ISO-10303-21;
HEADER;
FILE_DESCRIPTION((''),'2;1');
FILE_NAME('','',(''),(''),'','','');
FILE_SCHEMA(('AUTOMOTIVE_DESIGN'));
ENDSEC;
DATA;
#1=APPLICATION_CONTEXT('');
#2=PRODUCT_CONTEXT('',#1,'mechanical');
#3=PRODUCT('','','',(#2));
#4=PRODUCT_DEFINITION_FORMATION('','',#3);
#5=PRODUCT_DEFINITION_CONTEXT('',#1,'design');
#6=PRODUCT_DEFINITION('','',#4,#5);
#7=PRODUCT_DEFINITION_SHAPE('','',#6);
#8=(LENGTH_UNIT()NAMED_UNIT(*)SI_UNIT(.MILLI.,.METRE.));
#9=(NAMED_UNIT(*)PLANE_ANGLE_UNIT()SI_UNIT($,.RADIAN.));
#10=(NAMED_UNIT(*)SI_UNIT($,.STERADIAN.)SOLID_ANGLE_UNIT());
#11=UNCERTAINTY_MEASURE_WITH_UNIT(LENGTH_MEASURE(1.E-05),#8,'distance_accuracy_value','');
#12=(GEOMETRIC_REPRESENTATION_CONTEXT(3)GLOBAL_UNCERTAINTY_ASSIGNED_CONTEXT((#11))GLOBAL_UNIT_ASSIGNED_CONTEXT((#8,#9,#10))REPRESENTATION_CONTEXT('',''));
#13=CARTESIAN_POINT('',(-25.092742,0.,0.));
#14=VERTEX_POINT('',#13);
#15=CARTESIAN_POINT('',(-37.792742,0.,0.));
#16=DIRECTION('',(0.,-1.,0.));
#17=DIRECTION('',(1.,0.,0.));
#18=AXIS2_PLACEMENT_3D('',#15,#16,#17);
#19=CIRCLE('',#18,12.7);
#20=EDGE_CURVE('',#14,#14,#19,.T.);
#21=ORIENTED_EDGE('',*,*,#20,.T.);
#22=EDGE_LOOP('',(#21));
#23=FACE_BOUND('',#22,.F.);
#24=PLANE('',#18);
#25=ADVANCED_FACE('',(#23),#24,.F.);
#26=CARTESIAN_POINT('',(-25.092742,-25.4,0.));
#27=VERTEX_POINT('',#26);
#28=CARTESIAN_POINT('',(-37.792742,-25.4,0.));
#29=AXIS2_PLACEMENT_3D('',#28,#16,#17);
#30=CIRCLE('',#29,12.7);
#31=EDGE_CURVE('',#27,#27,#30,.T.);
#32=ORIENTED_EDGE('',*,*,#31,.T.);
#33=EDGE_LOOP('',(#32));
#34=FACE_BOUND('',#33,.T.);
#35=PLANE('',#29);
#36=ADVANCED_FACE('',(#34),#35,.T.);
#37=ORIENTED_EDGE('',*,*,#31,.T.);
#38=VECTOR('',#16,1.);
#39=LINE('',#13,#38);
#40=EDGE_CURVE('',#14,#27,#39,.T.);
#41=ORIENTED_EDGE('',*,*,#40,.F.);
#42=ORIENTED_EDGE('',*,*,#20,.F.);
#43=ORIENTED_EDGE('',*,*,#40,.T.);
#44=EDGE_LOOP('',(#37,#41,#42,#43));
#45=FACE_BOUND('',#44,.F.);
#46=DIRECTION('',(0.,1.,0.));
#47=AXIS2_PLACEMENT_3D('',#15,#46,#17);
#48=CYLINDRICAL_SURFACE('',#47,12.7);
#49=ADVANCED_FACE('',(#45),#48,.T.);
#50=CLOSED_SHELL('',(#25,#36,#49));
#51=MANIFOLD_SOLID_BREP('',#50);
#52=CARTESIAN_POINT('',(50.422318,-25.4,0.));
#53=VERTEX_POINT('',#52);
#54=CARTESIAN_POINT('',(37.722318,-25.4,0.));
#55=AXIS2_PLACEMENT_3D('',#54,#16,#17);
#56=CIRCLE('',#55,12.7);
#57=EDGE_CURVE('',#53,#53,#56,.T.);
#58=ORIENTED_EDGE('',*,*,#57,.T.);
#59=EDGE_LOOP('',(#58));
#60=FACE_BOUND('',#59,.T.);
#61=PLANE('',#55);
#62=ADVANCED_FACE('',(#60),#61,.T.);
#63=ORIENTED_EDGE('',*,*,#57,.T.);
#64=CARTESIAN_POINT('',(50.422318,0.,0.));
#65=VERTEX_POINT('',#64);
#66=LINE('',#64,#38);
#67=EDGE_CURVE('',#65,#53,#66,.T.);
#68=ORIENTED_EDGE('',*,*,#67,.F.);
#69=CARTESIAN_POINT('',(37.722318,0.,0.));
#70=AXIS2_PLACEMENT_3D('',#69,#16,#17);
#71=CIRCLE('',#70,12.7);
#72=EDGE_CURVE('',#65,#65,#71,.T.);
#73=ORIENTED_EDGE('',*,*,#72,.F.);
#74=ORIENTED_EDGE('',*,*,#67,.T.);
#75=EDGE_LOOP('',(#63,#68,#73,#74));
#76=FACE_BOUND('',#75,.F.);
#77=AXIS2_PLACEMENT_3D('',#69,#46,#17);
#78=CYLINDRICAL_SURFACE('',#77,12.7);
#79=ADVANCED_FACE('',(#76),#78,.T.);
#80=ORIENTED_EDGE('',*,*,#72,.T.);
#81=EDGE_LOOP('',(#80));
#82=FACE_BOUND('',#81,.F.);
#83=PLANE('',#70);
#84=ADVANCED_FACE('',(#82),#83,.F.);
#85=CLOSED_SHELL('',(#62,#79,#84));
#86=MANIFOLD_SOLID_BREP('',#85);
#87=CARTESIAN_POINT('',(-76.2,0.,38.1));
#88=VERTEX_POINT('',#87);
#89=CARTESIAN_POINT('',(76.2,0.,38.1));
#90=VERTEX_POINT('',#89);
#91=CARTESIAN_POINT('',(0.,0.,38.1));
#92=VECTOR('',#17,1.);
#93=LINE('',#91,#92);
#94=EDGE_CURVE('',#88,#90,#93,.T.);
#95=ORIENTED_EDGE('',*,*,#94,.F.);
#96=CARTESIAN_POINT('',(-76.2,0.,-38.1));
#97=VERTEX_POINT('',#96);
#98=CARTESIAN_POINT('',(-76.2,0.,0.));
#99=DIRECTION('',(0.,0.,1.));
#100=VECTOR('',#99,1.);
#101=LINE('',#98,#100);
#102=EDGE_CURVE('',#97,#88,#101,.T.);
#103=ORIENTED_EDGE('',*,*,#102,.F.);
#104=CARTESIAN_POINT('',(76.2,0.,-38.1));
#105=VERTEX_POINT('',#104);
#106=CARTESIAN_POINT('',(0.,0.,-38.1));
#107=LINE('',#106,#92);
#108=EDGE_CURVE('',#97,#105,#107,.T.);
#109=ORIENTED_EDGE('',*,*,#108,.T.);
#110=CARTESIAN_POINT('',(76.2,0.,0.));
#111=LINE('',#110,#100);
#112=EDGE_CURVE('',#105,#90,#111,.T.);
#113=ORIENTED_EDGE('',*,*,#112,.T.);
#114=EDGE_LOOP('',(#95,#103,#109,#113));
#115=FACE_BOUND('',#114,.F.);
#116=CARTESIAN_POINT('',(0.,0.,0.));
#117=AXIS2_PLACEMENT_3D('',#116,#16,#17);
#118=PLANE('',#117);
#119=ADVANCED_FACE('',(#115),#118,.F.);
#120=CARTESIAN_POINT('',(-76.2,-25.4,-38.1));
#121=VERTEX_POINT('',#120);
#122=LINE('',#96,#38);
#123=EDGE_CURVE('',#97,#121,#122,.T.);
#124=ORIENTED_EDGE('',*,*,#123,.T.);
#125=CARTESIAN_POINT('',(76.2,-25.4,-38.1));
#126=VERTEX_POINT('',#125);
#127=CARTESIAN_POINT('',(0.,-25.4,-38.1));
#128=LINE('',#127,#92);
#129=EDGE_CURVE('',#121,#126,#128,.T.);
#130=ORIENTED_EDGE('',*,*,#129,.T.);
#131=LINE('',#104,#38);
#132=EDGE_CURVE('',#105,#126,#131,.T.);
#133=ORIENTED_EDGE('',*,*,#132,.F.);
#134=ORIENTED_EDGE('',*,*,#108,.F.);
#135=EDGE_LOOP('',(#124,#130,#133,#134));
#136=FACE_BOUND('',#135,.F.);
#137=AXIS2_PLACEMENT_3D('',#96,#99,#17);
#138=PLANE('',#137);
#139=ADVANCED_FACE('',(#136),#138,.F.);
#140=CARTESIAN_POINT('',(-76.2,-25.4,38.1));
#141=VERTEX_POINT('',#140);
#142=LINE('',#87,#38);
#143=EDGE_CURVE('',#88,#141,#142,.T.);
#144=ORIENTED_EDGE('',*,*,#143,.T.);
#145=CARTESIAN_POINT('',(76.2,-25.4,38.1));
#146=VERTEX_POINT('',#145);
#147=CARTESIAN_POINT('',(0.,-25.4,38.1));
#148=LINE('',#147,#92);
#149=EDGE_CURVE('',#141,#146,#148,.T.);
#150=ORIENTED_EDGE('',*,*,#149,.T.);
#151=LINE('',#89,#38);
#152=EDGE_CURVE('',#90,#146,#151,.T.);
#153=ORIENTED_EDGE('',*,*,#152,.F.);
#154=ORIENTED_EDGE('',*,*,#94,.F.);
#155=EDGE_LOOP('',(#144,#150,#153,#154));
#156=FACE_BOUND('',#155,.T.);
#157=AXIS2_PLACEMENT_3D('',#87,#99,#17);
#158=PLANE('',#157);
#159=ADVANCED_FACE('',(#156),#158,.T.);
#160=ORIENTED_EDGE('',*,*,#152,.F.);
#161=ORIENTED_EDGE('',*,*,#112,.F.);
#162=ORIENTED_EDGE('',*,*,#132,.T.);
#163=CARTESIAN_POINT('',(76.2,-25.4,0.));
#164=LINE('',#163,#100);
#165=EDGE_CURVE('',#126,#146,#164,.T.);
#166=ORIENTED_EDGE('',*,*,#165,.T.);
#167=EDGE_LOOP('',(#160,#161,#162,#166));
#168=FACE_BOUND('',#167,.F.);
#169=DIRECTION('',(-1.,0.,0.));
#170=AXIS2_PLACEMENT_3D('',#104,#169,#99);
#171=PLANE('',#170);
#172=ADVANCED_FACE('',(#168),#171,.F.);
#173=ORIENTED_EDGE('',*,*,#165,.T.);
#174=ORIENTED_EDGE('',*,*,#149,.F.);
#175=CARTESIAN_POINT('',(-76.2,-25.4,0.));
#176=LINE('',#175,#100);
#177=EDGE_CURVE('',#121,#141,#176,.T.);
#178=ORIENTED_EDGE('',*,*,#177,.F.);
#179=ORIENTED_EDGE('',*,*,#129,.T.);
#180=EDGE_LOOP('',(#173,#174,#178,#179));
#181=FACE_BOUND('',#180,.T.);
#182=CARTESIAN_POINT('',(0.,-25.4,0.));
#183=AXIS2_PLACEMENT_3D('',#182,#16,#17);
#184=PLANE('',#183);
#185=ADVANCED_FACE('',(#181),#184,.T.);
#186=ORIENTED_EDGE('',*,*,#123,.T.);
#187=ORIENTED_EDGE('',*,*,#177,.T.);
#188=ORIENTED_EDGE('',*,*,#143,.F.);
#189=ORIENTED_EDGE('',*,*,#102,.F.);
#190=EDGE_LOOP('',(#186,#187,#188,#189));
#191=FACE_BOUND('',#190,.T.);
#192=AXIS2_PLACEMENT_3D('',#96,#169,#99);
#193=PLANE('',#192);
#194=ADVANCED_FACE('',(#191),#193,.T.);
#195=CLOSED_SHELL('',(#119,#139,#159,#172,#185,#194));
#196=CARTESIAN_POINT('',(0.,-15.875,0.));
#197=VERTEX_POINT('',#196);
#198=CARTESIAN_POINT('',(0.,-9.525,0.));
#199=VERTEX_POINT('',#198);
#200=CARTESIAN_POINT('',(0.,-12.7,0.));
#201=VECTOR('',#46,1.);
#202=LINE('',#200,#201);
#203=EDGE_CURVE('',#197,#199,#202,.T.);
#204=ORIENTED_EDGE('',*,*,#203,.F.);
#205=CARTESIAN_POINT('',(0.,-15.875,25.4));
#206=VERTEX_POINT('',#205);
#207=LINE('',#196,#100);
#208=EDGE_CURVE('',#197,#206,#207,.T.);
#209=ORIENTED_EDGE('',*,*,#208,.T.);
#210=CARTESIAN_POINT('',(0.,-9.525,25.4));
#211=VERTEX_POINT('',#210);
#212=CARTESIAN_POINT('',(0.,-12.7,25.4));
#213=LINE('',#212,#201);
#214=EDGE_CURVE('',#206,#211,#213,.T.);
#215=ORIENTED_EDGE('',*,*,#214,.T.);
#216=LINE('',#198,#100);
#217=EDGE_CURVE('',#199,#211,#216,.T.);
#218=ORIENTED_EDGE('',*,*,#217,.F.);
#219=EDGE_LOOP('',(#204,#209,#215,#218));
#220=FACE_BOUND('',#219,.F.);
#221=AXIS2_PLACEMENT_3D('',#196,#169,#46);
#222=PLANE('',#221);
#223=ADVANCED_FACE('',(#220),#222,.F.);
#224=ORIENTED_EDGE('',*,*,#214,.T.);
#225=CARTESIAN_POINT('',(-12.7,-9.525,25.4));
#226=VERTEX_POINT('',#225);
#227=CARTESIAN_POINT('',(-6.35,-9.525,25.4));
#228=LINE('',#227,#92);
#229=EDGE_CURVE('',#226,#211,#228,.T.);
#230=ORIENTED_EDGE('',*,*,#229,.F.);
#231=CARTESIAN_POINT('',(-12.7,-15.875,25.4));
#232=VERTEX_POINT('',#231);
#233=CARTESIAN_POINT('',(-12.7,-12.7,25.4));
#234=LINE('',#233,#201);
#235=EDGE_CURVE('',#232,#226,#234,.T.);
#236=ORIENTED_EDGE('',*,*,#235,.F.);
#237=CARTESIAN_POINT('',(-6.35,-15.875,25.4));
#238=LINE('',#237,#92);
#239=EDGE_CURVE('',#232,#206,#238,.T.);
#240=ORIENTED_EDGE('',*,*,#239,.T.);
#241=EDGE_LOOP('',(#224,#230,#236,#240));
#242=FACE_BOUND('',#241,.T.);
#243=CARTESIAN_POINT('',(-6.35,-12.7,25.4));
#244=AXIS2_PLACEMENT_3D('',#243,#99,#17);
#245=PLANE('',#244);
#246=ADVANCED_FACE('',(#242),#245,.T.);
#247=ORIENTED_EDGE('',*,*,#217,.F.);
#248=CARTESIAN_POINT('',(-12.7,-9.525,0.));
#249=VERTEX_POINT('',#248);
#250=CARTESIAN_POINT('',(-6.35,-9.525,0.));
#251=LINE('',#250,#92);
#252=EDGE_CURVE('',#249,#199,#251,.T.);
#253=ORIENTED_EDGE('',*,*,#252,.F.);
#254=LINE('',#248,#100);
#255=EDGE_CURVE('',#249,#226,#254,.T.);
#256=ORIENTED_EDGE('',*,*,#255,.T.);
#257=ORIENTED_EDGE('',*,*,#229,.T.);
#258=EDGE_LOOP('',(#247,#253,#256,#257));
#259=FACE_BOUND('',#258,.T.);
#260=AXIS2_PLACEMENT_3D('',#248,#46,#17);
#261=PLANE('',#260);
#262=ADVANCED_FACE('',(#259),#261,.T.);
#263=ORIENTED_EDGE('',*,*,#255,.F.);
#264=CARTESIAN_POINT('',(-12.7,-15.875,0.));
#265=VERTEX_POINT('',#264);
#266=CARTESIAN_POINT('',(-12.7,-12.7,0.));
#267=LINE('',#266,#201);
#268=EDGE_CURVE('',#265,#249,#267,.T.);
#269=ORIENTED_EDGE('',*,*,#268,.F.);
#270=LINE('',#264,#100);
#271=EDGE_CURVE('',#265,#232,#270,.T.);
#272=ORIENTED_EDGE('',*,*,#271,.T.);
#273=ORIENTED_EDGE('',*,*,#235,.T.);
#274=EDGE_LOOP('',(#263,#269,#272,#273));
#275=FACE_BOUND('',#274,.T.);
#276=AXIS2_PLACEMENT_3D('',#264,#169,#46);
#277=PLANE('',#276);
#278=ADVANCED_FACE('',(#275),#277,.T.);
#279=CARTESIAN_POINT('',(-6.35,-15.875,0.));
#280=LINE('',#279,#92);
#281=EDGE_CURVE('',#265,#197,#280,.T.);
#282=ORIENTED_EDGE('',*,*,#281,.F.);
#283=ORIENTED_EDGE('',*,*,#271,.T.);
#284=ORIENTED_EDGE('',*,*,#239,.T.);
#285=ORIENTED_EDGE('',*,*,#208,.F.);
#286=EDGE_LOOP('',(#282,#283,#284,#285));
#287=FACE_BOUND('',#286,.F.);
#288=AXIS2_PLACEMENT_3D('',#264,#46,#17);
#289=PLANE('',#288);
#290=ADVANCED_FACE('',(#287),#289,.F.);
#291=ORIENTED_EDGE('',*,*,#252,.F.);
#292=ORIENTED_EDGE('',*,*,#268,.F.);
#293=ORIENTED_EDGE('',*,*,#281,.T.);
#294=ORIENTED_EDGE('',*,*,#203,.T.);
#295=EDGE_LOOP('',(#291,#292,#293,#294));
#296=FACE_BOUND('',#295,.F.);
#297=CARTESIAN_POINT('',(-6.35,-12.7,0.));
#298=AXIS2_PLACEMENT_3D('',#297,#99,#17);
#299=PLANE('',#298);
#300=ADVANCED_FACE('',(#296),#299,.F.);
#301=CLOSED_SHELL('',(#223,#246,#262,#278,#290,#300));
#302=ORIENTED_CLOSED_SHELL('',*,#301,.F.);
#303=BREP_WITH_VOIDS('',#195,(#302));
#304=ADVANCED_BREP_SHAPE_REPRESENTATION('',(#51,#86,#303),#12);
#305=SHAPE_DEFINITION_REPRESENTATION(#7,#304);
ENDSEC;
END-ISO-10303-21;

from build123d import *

# Parameters (mm, degrees)
F0_W     = 152.4
F0_H     = 76.2
F4_DEPTH = 25.4
F1_R     = 12.7
F2_R     = 12.7
F3_W     = 12.7
F3_H     = 6.35
F5_DEPTH = 25.4


with BuildPart() as f4:
    # F0 (on Front) → F4 (new body)
    with BuildSketch(Plane.XZ):
        Rectangle(F0_W, F0_H)
    extrude(amount=F4_DEPTH)

    # F3 (on Top) → F5 (cut)
    with BuildSketch(Plane.XY):
        with Locations((-6.35, -12.7)):
            Rectangle(F3_W, F3_H)
    extrude(amount=F5_DEPTH, mode=Mode.SUBTRACT)


with BuildPart() as f4b:
    # F1 (on face) → F4, piece 2 (new body)
    with BuildSketch(Plane.XZ):
        with Locations((-37.7927422523, 0)):
            Circle(F1_R)
    extrude(amount=F4_DEPTH)


with BuildPart() as f4c:
    # F2 (on face) → F4, piece 3 (new body)
    with BuildSketch(Plane.XZ):
        with Locations((37.7223184247, 0)):
            Circle(F2_R)
    extrude(amount=F4_DEPTH)


solid = Compound([f4.part, f4b.part, f4c.part])
